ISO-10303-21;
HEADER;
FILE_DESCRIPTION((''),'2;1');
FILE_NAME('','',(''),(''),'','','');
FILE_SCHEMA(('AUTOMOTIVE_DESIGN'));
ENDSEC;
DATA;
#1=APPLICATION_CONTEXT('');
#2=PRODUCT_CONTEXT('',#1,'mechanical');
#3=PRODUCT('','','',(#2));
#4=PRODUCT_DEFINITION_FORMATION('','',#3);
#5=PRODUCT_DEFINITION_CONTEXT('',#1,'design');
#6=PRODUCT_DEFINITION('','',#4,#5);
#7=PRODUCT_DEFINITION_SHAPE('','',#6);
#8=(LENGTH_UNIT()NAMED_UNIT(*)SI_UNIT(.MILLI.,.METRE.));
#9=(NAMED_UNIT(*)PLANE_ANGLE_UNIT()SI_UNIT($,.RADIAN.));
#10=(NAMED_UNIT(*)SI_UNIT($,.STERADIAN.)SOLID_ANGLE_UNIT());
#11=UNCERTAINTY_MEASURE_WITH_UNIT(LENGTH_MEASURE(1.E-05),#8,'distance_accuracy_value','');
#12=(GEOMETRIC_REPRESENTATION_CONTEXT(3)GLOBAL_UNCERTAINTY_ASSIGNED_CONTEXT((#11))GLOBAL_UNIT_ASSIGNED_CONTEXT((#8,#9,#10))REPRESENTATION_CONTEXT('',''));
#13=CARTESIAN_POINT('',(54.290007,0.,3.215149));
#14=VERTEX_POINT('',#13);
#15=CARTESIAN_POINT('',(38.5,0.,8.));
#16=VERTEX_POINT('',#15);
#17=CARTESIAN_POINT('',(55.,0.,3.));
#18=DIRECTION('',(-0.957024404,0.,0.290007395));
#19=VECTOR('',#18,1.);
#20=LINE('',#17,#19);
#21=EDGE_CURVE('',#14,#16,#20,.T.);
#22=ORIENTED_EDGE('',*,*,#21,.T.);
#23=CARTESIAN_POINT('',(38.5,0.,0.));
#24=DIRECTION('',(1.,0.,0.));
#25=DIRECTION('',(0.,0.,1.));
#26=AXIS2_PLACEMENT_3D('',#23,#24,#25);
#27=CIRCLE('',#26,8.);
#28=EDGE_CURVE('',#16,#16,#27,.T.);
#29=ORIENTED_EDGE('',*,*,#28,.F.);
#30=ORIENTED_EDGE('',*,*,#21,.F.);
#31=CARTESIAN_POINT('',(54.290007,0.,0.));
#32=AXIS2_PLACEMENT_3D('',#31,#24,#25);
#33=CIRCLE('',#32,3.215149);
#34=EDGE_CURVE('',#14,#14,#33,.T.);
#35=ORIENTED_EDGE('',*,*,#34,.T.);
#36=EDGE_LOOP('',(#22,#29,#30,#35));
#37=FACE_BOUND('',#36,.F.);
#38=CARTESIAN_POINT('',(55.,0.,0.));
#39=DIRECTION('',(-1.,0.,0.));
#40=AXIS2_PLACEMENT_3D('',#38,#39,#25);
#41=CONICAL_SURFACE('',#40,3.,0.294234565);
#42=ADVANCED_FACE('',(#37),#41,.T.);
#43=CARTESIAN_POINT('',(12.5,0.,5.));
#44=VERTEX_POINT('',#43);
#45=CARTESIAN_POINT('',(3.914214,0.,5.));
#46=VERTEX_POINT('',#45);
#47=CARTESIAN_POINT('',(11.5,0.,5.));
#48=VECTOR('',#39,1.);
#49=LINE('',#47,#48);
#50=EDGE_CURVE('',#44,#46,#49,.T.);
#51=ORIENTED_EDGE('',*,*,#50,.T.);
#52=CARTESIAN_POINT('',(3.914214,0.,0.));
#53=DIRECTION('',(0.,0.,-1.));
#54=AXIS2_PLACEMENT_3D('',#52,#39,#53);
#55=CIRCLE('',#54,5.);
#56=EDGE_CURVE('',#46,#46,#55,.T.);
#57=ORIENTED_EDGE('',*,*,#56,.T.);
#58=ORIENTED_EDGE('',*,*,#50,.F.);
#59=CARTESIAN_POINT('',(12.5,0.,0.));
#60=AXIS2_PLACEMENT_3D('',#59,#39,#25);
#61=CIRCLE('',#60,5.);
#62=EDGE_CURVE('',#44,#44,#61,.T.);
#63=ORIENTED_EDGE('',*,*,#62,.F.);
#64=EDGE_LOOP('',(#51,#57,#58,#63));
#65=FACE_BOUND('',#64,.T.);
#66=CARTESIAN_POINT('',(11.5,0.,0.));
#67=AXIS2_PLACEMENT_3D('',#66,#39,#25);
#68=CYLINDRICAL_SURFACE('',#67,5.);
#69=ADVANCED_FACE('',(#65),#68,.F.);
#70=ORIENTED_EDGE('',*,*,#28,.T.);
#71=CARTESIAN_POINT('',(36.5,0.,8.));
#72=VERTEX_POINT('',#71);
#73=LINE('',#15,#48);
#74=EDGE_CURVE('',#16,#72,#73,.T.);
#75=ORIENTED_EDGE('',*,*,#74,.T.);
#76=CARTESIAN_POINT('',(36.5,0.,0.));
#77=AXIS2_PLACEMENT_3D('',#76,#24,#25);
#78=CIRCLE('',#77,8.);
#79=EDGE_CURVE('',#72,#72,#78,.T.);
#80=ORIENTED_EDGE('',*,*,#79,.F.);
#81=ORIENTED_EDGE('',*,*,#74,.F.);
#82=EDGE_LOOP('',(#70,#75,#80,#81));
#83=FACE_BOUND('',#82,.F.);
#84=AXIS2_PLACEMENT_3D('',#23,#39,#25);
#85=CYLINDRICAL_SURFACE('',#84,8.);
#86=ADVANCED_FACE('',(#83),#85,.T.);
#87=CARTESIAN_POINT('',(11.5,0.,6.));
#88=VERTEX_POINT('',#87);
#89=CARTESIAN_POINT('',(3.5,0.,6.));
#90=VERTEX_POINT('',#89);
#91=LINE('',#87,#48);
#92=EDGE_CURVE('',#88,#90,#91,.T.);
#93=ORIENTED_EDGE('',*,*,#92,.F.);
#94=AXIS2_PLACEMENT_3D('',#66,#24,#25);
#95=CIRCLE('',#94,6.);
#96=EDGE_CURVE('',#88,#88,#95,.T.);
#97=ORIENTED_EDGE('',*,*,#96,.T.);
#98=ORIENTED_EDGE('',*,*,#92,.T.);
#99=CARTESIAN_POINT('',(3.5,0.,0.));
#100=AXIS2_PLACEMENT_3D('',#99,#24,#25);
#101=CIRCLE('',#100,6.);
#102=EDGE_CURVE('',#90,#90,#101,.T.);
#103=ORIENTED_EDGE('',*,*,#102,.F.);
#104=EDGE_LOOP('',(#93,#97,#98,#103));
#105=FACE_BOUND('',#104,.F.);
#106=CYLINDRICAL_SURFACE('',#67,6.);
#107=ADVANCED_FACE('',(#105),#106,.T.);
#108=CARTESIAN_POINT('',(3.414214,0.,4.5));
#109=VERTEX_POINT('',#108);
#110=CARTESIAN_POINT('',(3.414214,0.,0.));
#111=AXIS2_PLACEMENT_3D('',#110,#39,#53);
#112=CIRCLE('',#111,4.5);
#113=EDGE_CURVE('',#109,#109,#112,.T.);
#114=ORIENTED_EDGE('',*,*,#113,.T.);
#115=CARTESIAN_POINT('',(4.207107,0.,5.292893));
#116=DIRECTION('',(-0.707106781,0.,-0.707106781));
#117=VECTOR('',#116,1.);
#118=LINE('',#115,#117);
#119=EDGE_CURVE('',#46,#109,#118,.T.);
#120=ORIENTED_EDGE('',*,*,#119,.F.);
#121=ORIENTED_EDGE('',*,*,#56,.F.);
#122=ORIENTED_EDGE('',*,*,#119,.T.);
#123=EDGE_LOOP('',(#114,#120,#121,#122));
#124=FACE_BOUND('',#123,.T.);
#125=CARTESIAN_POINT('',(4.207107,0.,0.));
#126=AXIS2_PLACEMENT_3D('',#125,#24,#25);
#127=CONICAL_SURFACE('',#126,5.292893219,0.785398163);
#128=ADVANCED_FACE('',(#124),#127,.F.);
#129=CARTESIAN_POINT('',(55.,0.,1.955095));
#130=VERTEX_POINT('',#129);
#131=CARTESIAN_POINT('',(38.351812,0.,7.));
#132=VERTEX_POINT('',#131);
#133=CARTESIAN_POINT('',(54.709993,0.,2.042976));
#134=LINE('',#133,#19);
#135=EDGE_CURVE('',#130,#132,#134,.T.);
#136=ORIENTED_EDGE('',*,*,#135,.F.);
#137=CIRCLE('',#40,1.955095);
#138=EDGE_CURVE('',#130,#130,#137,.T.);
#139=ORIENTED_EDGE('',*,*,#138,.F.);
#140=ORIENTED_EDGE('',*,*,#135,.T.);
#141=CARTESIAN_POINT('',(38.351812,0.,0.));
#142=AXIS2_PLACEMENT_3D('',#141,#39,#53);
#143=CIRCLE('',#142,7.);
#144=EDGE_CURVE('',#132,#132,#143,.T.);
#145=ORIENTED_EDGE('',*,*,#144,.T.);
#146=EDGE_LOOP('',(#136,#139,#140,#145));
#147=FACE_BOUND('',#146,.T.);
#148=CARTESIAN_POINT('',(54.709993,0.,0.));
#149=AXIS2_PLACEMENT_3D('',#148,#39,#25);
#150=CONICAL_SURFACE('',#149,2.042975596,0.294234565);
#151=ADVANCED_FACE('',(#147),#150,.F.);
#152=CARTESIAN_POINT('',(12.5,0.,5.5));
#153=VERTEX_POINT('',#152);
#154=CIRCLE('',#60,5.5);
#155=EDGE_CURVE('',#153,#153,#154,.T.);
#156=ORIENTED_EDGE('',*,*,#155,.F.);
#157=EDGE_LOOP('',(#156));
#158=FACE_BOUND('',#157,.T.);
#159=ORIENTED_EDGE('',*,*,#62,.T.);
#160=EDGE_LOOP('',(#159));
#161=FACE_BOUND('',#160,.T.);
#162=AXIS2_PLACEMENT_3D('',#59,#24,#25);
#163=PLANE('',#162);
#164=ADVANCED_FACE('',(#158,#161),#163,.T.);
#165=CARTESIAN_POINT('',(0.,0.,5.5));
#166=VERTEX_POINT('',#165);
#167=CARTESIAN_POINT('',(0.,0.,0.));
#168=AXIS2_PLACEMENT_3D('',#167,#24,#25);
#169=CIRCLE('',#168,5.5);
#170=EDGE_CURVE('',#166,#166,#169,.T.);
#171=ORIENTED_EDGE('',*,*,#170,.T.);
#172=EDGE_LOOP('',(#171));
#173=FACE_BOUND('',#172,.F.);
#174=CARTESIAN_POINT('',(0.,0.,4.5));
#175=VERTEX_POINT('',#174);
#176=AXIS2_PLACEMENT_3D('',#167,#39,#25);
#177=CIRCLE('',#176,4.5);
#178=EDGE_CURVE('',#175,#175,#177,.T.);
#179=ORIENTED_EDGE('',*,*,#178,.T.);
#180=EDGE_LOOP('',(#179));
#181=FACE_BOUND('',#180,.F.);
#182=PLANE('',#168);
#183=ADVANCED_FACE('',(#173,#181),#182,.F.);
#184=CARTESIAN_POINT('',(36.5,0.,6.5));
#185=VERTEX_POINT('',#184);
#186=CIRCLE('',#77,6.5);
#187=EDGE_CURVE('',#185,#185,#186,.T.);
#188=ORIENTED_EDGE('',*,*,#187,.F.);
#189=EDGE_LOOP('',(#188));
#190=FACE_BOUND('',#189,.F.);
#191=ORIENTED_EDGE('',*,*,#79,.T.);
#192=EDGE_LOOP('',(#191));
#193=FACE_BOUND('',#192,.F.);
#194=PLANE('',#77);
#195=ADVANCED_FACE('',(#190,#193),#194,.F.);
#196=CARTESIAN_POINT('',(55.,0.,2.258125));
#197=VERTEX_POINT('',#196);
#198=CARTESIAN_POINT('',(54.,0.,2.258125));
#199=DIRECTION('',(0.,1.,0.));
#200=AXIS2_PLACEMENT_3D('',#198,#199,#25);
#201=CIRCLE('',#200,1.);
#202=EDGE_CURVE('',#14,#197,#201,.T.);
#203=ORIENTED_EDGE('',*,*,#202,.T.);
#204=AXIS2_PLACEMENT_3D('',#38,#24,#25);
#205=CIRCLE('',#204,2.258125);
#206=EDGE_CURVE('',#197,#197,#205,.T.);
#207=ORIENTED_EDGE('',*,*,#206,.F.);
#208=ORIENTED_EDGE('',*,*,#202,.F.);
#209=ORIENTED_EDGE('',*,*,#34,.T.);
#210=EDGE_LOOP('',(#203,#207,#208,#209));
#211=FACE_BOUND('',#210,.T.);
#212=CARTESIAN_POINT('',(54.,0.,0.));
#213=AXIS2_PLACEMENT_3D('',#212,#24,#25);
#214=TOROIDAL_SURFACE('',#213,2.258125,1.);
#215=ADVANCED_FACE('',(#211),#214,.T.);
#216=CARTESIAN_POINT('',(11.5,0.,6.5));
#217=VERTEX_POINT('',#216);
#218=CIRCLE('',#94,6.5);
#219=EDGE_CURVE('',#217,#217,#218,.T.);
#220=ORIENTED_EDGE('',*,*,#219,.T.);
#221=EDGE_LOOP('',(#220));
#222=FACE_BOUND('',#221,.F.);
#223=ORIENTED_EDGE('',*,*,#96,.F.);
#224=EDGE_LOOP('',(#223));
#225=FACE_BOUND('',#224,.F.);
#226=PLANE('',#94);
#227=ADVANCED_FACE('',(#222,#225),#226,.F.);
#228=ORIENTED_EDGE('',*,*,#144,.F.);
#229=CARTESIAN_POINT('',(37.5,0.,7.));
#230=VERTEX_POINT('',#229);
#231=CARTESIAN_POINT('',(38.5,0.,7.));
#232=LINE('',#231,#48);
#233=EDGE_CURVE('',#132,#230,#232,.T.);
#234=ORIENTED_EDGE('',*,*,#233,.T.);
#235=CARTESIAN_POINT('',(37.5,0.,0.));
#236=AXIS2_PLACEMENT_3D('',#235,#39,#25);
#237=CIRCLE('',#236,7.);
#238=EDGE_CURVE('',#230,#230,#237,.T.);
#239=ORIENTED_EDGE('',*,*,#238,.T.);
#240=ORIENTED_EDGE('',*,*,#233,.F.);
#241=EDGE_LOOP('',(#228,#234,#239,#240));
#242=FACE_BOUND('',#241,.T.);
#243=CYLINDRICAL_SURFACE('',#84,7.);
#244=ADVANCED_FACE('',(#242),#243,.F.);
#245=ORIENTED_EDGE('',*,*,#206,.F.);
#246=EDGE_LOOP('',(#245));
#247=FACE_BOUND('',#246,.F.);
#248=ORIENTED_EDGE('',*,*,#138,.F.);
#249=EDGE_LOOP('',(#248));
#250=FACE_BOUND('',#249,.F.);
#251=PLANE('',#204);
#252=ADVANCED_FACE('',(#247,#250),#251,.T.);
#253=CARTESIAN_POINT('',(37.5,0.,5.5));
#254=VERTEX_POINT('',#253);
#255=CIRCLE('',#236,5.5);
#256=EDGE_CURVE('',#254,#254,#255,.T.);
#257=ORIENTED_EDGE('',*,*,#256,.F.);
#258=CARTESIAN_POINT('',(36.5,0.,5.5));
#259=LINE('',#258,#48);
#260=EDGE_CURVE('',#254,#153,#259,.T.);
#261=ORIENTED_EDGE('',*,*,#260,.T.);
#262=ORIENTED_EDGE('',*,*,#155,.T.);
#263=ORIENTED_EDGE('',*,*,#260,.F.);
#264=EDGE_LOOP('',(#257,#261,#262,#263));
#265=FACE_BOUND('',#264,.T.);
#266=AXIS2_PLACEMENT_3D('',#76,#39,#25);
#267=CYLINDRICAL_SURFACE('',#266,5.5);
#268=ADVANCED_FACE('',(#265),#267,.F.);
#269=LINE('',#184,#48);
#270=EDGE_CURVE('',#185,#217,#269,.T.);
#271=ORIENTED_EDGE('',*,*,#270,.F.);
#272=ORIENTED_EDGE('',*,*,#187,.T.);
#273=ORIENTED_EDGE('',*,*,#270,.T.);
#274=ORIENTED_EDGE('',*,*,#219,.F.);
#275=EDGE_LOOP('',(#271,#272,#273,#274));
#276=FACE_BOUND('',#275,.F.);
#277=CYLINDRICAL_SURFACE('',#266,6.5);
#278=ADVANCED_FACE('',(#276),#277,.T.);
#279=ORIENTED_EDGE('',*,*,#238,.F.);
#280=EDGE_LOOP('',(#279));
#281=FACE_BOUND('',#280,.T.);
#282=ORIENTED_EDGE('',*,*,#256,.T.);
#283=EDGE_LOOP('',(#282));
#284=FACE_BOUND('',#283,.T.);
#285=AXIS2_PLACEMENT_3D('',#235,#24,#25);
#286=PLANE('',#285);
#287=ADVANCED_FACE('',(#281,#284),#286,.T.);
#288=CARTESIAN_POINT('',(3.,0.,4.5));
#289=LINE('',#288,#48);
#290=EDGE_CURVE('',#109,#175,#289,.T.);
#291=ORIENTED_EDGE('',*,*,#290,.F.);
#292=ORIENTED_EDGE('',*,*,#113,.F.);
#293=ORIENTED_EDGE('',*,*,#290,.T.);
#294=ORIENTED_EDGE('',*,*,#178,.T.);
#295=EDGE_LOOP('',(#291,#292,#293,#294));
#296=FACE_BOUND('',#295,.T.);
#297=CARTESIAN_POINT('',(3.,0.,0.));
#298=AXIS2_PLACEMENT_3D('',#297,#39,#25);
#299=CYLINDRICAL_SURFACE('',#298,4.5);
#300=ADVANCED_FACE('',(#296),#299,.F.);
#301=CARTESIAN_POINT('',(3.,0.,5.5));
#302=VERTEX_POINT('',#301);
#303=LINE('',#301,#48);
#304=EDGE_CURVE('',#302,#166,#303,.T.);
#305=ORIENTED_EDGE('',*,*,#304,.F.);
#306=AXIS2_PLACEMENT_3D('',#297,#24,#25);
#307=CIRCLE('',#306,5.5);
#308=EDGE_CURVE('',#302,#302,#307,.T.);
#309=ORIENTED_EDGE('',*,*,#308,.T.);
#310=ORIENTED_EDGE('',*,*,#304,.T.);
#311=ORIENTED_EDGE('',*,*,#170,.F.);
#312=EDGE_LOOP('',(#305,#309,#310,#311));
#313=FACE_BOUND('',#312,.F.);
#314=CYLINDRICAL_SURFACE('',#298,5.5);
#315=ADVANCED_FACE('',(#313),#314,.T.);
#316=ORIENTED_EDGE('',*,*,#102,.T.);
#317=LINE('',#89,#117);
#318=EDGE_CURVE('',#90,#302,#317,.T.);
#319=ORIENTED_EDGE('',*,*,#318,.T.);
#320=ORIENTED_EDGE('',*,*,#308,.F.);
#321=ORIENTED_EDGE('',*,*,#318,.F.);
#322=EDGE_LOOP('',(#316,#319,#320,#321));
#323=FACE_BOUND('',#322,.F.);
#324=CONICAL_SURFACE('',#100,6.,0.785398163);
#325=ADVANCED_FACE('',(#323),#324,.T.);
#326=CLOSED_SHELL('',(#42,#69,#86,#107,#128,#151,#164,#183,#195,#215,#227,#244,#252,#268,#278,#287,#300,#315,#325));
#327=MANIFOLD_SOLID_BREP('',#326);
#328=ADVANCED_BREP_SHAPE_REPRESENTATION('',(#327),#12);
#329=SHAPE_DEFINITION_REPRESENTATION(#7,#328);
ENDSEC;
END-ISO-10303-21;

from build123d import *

# Parameters (mm, degrees)
F2_T = -1
F3_R = 1


with BuildPart() as f4:
    # F0 (on Front) → F4 (revolve)
    with BuildSketch(Plane.XZ):
        Polygon((0, 5.5), (0, 0), (55, 0), (55, 3), (38.5, 8), (36.5, 8), (36.5, 6.5), (11.5, 6.5), (11.5, 6), (3.5, 6), (3, 5.5), align=None)
    revolve(axis=Axis((5.4076574743, 0, 0), (1, 0, 0)))

    # F2
    f2_openings = [f4.faces().sort_by_distance(p)[0] for p in [
        (0, 0, 0),
        (55, 0, 0),
    ]]
    offset(amount=F2_T, openings=f2_openings, kind=Kind.INTERSECTION)

    # F3
    f3_edges = [f4.edges().sort_by_distance(p)[0] for p in [
        (55, 0, -3),
    ]]
    fillet(f3_edges, radius=F3_R)


solid = f4.part
